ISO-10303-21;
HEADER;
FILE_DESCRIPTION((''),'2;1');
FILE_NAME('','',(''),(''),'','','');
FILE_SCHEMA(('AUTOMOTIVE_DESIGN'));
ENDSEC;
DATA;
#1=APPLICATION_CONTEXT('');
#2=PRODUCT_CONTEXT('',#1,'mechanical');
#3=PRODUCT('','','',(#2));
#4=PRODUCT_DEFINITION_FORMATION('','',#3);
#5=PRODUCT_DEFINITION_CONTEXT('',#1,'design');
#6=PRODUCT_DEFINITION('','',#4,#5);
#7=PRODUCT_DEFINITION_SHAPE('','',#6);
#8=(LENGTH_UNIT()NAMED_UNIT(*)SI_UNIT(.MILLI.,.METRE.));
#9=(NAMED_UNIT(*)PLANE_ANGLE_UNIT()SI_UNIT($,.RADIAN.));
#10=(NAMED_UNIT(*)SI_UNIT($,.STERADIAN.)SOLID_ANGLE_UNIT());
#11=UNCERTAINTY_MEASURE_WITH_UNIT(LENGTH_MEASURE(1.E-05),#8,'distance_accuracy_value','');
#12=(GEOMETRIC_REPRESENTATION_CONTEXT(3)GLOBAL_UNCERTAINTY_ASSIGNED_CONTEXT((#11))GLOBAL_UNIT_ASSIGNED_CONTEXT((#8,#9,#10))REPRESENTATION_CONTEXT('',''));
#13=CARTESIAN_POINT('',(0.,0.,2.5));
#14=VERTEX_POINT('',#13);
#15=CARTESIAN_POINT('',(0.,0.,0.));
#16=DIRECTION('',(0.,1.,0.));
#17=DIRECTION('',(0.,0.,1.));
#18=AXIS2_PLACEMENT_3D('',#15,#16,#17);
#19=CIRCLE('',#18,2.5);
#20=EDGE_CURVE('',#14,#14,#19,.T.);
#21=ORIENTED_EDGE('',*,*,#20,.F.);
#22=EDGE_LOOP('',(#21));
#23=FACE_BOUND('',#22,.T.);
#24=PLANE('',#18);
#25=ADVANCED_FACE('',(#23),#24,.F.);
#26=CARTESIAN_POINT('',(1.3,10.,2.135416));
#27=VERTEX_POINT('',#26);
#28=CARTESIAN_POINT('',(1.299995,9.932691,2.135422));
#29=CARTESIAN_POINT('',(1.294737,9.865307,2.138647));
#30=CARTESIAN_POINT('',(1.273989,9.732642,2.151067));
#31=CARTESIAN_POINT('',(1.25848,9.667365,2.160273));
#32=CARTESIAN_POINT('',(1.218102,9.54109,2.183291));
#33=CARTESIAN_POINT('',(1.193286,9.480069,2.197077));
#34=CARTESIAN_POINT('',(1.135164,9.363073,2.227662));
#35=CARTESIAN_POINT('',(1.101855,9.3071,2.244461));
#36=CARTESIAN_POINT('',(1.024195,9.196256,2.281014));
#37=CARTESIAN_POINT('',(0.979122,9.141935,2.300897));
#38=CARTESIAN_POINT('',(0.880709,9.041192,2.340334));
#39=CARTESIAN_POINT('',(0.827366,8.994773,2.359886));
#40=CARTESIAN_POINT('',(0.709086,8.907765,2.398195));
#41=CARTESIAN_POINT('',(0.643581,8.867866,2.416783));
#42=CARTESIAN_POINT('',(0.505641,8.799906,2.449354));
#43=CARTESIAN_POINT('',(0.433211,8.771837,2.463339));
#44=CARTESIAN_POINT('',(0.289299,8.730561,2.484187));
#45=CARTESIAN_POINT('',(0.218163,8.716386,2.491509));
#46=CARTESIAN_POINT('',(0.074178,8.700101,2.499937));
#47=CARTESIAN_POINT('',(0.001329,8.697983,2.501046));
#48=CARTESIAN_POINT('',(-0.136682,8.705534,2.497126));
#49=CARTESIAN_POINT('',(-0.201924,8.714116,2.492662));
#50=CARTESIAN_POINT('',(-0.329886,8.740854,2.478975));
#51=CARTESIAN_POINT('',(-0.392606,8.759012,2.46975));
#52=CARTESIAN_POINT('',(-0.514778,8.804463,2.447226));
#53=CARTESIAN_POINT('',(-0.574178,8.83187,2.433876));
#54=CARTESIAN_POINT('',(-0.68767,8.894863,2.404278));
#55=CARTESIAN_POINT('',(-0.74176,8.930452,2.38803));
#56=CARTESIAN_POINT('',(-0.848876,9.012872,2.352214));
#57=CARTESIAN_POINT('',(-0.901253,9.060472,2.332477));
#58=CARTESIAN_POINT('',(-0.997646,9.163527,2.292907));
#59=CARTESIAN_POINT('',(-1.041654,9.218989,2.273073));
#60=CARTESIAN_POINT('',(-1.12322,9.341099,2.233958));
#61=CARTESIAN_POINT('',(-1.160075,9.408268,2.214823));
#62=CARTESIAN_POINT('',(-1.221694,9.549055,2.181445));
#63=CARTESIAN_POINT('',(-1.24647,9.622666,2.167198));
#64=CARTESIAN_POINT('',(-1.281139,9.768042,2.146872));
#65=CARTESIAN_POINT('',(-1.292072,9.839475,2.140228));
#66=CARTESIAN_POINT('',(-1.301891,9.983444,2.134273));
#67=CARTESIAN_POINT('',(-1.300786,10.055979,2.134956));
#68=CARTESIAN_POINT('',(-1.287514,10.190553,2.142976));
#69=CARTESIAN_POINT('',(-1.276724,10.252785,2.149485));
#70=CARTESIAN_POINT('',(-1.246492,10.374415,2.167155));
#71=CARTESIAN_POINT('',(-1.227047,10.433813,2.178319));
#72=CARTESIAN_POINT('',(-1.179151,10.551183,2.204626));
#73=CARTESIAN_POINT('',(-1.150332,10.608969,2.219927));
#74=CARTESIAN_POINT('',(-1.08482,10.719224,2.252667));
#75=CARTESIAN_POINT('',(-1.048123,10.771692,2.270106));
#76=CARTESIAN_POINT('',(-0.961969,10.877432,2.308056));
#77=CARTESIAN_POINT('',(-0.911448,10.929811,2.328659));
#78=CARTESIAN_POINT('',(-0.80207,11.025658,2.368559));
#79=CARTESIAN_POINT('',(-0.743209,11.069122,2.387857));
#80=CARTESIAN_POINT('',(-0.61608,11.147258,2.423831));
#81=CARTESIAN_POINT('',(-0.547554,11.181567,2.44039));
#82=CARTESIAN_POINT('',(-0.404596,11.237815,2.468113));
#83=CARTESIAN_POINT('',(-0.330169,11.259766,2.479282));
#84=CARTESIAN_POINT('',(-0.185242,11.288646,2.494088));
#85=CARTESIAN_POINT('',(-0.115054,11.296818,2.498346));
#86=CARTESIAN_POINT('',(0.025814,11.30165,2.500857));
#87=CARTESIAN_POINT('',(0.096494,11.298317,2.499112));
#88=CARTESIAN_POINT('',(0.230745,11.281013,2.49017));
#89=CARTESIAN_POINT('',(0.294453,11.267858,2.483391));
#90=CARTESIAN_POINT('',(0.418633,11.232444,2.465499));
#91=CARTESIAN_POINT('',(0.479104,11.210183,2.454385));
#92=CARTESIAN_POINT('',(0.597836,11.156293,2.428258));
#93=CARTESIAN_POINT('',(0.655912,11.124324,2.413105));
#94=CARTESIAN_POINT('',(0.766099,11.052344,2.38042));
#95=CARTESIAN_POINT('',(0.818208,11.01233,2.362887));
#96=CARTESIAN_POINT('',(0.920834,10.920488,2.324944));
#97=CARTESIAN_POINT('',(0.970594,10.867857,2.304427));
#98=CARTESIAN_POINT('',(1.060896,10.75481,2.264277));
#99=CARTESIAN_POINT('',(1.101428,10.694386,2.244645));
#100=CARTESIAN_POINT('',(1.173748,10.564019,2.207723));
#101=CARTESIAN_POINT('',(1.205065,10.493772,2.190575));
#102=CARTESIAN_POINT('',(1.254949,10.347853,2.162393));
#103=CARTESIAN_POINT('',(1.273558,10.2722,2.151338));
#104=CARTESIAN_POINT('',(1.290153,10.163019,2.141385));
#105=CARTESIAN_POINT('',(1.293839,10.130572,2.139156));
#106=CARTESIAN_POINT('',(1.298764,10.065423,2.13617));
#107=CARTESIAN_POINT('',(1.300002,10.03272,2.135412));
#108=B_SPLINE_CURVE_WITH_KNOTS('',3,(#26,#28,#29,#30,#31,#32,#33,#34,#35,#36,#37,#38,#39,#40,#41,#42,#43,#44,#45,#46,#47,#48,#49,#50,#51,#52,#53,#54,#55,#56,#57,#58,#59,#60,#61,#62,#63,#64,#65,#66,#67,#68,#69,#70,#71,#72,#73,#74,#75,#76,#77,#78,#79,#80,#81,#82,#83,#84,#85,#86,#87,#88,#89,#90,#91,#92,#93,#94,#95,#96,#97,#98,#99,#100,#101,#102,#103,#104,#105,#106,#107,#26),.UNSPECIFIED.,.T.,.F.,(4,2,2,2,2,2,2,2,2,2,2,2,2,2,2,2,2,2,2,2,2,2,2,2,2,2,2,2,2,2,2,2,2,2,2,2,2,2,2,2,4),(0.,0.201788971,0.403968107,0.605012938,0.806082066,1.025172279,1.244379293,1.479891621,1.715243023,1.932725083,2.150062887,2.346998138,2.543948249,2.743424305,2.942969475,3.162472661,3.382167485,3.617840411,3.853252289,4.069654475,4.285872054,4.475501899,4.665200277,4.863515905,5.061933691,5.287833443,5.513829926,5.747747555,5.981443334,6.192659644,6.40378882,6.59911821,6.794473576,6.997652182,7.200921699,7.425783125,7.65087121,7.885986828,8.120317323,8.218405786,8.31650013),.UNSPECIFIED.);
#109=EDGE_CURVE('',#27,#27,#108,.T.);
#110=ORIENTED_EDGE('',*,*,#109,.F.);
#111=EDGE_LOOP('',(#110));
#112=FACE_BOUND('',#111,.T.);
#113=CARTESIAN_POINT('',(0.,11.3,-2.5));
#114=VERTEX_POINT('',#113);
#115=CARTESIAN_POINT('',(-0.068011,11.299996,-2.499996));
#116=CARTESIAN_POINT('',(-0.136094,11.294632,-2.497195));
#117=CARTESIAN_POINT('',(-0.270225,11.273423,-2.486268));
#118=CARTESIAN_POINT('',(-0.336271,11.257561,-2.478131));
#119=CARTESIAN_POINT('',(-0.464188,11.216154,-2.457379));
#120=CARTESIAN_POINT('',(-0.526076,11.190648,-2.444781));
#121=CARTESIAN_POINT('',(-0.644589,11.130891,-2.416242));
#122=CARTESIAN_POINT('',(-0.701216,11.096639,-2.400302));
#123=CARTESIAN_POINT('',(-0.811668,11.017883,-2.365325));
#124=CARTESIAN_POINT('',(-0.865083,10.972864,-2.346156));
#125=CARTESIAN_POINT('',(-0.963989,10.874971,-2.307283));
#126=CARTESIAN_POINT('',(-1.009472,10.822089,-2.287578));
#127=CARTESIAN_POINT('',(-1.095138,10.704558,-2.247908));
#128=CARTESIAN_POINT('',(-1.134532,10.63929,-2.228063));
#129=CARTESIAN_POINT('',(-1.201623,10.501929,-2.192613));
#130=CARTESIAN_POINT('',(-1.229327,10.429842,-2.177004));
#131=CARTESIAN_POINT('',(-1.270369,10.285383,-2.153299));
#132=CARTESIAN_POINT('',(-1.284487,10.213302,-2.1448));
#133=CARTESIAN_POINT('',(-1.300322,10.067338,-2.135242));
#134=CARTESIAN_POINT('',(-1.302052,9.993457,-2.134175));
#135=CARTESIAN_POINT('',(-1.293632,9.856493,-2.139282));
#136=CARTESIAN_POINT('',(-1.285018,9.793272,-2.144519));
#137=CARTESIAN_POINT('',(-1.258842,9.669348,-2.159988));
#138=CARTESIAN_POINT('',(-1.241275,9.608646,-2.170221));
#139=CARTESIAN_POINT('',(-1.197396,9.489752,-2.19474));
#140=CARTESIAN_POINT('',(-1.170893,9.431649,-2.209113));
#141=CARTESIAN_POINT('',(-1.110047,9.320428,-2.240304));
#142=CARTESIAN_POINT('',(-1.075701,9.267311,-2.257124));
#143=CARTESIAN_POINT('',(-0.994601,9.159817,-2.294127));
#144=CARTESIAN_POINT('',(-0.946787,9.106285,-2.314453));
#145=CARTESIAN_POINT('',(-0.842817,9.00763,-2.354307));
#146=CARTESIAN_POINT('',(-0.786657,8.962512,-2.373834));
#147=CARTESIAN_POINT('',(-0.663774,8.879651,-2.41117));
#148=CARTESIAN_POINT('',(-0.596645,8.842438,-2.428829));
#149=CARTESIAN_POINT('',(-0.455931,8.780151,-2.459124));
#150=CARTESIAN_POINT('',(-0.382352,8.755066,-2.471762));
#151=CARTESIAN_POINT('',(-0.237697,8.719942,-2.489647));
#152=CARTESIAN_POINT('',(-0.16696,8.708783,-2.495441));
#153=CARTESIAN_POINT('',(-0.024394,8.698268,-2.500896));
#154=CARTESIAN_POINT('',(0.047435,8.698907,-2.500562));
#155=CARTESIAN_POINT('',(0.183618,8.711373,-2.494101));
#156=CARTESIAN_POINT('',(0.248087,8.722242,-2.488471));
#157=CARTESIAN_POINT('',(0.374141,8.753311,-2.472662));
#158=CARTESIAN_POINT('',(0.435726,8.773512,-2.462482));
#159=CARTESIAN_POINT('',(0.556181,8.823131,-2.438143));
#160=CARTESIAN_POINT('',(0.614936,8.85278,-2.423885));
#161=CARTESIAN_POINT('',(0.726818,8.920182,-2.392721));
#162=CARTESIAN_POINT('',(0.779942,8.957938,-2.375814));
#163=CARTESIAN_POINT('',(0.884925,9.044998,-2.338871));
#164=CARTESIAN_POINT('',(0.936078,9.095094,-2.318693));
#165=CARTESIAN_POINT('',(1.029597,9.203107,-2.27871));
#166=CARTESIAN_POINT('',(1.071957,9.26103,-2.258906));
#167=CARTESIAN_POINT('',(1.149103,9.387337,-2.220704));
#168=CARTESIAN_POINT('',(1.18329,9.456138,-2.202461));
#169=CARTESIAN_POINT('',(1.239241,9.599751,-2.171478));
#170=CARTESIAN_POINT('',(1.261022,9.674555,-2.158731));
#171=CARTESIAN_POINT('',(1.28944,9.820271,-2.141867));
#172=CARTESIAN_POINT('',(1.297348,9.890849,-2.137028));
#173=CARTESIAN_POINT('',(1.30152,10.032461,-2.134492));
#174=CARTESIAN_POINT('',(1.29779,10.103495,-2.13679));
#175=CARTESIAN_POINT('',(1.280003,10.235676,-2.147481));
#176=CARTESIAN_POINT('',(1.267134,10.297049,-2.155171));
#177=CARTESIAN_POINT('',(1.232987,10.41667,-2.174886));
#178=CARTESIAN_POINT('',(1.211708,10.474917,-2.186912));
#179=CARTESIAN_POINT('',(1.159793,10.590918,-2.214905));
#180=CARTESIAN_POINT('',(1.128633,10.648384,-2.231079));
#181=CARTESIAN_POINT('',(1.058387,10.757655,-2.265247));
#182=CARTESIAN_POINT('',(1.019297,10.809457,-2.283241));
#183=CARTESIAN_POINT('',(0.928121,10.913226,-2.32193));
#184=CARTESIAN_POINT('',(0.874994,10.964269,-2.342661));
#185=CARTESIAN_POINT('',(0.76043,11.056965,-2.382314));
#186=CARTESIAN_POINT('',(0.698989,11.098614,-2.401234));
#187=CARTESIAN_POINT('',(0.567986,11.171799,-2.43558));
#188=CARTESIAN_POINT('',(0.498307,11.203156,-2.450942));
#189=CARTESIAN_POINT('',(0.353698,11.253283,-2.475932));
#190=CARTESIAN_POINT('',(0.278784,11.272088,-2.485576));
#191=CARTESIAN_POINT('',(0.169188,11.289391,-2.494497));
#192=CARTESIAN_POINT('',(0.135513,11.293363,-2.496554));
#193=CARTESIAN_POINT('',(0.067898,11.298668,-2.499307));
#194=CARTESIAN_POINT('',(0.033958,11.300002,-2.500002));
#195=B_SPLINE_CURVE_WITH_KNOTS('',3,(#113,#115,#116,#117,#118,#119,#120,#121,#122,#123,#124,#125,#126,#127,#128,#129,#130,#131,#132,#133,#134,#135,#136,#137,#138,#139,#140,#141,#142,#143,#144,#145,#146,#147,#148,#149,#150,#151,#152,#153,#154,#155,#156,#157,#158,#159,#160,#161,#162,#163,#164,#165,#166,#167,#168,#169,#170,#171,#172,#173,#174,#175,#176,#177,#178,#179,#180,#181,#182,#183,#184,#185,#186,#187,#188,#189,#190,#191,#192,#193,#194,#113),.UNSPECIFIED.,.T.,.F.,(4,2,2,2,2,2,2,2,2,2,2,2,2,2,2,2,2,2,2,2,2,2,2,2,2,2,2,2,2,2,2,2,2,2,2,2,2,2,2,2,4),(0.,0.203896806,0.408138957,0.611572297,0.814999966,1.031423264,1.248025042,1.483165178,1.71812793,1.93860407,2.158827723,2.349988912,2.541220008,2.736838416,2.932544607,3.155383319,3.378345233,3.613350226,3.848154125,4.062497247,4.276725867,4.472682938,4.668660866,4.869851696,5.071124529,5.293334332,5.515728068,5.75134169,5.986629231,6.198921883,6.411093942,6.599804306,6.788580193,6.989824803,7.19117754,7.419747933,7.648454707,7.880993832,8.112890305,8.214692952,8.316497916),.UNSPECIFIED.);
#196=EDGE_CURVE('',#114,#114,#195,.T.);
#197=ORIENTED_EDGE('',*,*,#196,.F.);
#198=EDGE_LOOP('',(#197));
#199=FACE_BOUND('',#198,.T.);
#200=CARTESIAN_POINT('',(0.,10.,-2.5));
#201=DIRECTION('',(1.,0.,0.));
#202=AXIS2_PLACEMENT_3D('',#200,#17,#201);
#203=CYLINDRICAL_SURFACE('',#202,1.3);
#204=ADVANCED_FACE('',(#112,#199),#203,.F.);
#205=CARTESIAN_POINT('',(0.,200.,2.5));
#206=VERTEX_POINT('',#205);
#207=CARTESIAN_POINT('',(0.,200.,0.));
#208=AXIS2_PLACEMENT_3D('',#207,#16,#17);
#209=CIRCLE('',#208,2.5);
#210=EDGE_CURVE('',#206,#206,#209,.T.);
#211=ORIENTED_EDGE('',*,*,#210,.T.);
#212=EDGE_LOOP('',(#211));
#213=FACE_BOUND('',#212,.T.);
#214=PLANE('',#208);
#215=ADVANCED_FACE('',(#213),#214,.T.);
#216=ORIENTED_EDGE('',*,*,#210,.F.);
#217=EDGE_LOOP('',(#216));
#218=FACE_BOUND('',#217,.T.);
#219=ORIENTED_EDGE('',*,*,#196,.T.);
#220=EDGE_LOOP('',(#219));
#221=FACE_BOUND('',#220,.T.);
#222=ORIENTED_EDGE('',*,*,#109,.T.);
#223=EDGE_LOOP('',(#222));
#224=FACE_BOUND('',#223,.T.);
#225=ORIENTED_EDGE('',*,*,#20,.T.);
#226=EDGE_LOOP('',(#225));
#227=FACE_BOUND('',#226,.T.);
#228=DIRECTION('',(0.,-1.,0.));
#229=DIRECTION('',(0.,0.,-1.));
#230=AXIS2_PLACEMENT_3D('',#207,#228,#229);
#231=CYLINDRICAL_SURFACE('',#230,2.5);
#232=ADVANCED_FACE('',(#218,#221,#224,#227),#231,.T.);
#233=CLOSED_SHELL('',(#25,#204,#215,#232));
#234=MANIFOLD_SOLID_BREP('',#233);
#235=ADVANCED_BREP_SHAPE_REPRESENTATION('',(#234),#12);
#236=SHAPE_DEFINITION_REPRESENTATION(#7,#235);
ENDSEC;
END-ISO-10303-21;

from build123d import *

# Parameters (mm, degrees)
SKETCH1_R               = 2.5
BOSS_EXTRUDE1_DEPTH     = 200
CUT_EXTRUDE1_DEPTH      = 201.031247559
CUT_EXTRUDE1_DEPTH_BACK = 201.031247559
SKETCH2_R               = 1.3


with BuildPart() as part:
    # Sketch1 → Boss-Extrude1 (new body)
    with BuildSketch(Plane(origin=(0, 0, 0), x_dir=(1, 0, 0), z_dir=(0, 1, 0))):
        with Locations(Location((0, 0, 0), (0, 0, 270))):
            Circle(SKETCH1_R)
    extrude(amount=BOSS_EXTRUDE1_DEPTH)

    # Sketch2 → Cut-Extrude1 (cut, two sides: drawn at the far end of the back side and taken through both)
    with BuildSketch(Plane.XY.offset(-CUT_EXTRUDE1_DEPTH_BACK)):
        with Locations(Location((0, 10, 0), (0, 0, 90.000000002))):
            Circle(SKETCH2_R)
    extrude(amount=CUT_EXTRUDE1_DEPTH + CUT_EXTRUDE1_DEPTH_BACK, mode=Mode.SUBTRACT)


solid = part.part
